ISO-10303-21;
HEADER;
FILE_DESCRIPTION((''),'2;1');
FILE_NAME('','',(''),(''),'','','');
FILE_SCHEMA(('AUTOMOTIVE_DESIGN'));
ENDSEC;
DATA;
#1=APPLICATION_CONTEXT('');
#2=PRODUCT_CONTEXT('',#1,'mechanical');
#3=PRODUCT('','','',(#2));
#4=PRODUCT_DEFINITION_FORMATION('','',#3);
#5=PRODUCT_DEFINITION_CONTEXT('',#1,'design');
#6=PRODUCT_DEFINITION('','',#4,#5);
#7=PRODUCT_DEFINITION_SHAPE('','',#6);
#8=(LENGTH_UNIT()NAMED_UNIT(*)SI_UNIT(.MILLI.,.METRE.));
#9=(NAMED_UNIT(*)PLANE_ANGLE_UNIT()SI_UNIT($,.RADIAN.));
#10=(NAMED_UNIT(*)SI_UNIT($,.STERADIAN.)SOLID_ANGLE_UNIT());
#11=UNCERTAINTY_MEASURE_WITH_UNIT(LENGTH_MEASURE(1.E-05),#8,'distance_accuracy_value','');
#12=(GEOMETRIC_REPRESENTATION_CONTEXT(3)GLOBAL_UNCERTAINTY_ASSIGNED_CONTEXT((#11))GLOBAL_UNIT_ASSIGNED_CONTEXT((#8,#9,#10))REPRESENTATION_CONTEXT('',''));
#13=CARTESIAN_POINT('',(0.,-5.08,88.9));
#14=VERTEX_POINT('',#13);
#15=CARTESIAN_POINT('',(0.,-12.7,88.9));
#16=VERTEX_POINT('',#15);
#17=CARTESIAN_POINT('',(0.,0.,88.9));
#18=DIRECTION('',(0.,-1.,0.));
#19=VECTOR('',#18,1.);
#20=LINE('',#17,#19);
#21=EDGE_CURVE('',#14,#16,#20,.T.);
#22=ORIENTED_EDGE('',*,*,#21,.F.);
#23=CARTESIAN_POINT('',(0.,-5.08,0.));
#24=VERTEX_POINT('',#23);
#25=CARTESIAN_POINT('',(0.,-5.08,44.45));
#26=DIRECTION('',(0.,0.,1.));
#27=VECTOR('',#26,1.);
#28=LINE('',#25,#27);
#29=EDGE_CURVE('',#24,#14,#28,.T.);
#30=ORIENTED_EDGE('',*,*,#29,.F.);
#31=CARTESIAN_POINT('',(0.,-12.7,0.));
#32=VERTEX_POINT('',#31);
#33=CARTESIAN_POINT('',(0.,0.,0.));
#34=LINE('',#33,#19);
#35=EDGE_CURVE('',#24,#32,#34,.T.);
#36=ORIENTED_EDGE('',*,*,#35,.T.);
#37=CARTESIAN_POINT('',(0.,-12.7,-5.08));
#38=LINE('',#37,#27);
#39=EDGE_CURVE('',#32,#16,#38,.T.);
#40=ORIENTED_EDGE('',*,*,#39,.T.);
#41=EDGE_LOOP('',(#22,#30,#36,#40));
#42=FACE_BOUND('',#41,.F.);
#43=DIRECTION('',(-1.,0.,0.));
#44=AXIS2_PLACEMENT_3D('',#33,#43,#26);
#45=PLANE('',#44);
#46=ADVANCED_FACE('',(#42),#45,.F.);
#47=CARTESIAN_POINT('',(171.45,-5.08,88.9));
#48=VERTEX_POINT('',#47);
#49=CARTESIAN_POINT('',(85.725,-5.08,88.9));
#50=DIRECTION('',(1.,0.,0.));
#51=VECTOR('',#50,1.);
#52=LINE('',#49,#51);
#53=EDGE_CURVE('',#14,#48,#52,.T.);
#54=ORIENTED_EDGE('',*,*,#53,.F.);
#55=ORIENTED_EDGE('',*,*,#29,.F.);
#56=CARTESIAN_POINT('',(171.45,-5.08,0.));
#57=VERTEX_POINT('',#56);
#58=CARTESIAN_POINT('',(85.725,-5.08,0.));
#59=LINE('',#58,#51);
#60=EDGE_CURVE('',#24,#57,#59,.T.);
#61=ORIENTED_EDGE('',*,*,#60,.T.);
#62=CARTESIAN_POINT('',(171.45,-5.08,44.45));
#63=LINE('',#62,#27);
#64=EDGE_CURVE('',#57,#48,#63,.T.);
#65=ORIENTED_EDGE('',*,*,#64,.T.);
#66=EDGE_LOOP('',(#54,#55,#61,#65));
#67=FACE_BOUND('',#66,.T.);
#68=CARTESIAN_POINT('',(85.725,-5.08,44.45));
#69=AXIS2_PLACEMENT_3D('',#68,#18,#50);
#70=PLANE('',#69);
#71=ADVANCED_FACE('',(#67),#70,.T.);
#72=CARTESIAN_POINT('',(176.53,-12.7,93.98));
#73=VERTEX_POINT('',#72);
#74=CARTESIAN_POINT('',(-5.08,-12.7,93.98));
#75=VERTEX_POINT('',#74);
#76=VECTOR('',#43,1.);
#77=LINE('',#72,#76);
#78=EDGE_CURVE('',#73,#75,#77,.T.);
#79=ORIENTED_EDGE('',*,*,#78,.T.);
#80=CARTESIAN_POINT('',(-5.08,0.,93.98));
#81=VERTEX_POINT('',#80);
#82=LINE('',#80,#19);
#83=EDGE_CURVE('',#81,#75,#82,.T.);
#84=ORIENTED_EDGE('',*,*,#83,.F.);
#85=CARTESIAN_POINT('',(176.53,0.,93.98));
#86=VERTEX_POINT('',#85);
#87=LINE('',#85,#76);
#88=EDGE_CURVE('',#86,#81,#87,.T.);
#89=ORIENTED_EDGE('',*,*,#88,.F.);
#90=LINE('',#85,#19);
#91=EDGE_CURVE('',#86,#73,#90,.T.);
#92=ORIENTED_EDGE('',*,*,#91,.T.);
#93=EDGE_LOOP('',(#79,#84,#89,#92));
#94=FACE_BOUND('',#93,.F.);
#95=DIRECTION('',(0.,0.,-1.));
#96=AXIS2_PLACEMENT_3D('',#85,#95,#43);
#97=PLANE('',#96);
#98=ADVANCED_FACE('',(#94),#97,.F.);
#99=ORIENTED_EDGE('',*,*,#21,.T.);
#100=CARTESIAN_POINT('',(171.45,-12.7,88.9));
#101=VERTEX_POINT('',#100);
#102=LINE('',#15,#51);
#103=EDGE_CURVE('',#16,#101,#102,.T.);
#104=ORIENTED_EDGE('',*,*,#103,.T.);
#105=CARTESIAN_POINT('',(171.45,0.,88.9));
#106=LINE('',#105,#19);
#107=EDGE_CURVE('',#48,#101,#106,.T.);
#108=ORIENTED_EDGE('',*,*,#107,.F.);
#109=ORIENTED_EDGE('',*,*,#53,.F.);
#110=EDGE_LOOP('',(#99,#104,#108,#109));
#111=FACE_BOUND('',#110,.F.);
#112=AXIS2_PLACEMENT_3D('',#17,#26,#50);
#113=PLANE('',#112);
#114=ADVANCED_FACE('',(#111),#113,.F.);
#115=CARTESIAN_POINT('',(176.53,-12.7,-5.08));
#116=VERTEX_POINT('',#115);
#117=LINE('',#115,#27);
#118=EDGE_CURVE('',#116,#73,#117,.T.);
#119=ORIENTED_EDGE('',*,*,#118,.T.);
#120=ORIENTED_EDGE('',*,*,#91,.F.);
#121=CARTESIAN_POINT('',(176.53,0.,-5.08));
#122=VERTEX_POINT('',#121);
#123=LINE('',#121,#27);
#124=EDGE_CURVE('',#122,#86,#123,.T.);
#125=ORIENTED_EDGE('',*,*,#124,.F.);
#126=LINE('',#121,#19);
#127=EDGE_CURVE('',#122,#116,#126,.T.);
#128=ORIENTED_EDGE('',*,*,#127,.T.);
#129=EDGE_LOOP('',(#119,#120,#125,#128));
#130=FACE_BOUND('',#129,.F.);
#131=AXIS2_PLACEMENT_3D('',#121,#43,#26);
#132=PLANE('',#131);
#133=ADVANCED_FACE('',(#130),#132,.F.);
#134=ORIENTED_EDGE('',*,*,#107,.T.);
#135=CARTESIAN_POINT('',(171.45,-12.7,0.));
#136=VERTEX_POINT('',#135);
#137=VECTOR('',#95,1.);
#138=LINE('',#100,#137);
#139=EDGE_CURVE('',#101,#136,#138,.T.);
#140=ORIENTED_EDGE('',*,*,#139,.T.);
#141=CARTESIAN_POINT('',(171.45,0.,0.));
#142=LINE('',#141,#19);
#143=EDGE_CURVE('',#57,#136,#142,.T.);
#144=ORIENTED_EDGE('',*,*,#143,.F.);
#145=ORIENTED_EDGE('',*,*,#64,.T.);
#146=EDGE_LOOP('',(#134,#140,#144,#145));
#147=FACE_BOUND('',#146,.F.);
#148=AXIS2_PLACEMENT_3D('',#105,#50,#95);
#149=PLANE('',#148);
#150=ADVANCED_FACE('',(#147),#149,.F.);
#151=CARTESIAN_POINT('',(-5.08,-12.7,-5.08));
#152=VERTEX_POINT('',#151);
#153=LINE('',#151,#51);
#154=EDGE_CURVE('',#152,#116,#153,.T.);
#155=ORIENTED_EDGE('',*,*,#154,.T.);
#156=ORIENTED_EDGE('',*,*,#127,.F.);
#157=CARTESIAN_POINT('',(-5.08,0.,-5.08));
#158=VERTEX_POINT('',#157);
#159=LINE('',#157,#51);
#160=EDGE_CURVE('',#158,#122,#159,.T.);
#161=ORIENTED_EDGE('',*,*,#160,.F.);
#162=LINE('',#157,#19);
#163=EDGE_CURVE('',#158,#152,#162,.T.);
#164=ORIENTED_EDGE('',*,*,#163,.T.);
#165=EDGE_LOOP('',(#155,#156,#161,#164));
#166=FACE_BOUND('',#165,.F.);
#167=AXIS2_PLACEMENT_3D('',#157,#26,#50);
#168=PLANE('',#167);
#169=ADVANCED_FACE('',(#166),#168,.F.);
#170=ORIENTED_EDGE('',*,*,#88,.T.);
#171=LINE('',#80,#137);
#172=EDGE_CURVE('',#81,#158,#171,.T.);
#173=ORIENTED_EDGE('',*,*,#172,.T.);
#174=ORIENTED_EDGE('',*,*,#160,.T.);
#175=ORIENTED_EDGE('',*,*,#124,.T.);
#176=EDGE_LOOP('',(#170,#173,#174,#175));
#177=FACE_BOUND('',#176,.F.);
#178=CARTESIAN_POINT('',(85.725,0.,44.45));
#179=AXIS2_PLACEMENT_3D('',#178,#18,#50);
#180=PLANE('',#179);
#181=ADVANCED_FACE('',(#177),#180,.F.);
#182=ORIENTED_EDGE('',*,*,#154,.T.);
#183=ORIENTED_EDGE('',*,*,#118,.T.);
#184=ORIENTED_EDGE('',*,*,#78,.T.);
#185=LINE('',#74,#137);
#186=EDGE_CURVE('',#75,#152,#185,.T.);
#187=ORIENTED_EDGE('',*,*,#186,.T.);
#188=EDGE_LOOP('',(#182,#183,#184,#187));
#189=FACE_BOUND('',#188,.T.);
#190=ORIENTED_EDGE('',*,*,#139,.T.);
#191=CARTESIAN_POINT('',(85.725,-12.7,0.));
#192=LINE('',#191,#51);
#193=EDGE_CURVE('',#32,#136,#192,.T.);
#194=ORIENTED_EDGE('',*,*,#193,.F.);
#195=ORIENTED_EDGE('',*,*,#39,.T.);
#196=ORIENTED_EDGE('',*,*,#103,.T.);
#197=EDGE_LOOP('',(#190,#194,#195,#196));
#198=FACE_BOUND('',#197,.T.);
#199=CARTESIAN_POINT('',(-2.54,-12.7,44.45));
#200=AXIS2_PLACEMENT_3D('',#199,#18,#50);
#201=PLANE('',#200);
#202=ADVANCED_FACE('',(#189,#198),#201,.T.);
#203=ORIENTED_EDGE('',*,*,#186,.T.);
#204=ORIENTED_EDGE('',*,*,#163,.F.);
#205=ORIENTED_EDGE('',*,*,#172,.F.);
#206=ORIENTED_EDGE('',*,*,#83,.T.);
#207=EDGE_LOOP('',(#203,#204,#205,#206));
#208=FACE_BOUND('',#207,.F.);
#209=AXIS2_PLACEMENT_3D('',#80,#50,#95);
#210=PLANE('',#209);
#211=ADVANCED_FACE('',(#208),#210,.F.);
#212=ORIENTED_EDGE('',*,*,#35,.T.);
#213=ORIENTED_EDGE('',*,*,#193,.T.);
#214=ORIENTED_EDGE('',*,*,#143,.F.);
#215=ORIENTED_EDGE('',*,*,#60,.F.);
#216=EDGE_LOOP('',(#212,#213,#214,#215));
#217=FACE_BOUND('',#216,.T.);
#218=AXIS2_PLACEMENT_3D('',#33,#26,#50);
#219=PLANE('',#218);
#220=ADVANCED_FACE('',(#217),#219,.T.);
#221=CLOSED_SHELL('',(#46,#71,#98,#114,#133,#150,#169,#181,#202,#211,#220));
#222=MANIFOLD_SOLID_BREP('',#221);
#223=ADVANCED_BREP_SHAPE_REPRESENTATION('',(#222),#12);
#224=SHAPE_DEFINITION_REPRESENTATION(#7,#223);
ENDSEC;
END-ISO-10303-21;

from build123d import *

# Parameters (mm, degrees)
F0_W     = 171.45
F0_H     = 5.08
F1_DEPTH = 12.7
F0_H_2   = 88.9
F2_DEPTH = 5.08


with BuildPart() as f1:
    # F0 (on Front) → F1 (new body)
    with BuildSketch(Plane.XZ):
        Polygon((0, -5.08), (0, 0), (0, 88.9), (0, 93.98), (-5.08, 93.98), (-5.08, -5.08), align=None)
        with Locations((85.725, -2.54)):
            Rectangle(F0_W, F0_H)
        Polygon((171.45, 88.9), (171.45, 0), (171.45, -5.08), (176.53, -5.08), (176.53, 88.9), align=None)
        Polygon((0, 93.98), (0, 88.9), (171.45, 88.9), (176.53, 88.9), (176.53, 93.98), align=None)
    extrude(amount=F1_DEPTH)

    # F0 (on Front) → F2 (join)
    with BuildSketch(Plane.XZ):
        with Locations((85.725, 44.45)):
            Rectangle(F0_W, F0_H_2)
    extrude(amount=F2_DEPTH)


solid = f1.part
